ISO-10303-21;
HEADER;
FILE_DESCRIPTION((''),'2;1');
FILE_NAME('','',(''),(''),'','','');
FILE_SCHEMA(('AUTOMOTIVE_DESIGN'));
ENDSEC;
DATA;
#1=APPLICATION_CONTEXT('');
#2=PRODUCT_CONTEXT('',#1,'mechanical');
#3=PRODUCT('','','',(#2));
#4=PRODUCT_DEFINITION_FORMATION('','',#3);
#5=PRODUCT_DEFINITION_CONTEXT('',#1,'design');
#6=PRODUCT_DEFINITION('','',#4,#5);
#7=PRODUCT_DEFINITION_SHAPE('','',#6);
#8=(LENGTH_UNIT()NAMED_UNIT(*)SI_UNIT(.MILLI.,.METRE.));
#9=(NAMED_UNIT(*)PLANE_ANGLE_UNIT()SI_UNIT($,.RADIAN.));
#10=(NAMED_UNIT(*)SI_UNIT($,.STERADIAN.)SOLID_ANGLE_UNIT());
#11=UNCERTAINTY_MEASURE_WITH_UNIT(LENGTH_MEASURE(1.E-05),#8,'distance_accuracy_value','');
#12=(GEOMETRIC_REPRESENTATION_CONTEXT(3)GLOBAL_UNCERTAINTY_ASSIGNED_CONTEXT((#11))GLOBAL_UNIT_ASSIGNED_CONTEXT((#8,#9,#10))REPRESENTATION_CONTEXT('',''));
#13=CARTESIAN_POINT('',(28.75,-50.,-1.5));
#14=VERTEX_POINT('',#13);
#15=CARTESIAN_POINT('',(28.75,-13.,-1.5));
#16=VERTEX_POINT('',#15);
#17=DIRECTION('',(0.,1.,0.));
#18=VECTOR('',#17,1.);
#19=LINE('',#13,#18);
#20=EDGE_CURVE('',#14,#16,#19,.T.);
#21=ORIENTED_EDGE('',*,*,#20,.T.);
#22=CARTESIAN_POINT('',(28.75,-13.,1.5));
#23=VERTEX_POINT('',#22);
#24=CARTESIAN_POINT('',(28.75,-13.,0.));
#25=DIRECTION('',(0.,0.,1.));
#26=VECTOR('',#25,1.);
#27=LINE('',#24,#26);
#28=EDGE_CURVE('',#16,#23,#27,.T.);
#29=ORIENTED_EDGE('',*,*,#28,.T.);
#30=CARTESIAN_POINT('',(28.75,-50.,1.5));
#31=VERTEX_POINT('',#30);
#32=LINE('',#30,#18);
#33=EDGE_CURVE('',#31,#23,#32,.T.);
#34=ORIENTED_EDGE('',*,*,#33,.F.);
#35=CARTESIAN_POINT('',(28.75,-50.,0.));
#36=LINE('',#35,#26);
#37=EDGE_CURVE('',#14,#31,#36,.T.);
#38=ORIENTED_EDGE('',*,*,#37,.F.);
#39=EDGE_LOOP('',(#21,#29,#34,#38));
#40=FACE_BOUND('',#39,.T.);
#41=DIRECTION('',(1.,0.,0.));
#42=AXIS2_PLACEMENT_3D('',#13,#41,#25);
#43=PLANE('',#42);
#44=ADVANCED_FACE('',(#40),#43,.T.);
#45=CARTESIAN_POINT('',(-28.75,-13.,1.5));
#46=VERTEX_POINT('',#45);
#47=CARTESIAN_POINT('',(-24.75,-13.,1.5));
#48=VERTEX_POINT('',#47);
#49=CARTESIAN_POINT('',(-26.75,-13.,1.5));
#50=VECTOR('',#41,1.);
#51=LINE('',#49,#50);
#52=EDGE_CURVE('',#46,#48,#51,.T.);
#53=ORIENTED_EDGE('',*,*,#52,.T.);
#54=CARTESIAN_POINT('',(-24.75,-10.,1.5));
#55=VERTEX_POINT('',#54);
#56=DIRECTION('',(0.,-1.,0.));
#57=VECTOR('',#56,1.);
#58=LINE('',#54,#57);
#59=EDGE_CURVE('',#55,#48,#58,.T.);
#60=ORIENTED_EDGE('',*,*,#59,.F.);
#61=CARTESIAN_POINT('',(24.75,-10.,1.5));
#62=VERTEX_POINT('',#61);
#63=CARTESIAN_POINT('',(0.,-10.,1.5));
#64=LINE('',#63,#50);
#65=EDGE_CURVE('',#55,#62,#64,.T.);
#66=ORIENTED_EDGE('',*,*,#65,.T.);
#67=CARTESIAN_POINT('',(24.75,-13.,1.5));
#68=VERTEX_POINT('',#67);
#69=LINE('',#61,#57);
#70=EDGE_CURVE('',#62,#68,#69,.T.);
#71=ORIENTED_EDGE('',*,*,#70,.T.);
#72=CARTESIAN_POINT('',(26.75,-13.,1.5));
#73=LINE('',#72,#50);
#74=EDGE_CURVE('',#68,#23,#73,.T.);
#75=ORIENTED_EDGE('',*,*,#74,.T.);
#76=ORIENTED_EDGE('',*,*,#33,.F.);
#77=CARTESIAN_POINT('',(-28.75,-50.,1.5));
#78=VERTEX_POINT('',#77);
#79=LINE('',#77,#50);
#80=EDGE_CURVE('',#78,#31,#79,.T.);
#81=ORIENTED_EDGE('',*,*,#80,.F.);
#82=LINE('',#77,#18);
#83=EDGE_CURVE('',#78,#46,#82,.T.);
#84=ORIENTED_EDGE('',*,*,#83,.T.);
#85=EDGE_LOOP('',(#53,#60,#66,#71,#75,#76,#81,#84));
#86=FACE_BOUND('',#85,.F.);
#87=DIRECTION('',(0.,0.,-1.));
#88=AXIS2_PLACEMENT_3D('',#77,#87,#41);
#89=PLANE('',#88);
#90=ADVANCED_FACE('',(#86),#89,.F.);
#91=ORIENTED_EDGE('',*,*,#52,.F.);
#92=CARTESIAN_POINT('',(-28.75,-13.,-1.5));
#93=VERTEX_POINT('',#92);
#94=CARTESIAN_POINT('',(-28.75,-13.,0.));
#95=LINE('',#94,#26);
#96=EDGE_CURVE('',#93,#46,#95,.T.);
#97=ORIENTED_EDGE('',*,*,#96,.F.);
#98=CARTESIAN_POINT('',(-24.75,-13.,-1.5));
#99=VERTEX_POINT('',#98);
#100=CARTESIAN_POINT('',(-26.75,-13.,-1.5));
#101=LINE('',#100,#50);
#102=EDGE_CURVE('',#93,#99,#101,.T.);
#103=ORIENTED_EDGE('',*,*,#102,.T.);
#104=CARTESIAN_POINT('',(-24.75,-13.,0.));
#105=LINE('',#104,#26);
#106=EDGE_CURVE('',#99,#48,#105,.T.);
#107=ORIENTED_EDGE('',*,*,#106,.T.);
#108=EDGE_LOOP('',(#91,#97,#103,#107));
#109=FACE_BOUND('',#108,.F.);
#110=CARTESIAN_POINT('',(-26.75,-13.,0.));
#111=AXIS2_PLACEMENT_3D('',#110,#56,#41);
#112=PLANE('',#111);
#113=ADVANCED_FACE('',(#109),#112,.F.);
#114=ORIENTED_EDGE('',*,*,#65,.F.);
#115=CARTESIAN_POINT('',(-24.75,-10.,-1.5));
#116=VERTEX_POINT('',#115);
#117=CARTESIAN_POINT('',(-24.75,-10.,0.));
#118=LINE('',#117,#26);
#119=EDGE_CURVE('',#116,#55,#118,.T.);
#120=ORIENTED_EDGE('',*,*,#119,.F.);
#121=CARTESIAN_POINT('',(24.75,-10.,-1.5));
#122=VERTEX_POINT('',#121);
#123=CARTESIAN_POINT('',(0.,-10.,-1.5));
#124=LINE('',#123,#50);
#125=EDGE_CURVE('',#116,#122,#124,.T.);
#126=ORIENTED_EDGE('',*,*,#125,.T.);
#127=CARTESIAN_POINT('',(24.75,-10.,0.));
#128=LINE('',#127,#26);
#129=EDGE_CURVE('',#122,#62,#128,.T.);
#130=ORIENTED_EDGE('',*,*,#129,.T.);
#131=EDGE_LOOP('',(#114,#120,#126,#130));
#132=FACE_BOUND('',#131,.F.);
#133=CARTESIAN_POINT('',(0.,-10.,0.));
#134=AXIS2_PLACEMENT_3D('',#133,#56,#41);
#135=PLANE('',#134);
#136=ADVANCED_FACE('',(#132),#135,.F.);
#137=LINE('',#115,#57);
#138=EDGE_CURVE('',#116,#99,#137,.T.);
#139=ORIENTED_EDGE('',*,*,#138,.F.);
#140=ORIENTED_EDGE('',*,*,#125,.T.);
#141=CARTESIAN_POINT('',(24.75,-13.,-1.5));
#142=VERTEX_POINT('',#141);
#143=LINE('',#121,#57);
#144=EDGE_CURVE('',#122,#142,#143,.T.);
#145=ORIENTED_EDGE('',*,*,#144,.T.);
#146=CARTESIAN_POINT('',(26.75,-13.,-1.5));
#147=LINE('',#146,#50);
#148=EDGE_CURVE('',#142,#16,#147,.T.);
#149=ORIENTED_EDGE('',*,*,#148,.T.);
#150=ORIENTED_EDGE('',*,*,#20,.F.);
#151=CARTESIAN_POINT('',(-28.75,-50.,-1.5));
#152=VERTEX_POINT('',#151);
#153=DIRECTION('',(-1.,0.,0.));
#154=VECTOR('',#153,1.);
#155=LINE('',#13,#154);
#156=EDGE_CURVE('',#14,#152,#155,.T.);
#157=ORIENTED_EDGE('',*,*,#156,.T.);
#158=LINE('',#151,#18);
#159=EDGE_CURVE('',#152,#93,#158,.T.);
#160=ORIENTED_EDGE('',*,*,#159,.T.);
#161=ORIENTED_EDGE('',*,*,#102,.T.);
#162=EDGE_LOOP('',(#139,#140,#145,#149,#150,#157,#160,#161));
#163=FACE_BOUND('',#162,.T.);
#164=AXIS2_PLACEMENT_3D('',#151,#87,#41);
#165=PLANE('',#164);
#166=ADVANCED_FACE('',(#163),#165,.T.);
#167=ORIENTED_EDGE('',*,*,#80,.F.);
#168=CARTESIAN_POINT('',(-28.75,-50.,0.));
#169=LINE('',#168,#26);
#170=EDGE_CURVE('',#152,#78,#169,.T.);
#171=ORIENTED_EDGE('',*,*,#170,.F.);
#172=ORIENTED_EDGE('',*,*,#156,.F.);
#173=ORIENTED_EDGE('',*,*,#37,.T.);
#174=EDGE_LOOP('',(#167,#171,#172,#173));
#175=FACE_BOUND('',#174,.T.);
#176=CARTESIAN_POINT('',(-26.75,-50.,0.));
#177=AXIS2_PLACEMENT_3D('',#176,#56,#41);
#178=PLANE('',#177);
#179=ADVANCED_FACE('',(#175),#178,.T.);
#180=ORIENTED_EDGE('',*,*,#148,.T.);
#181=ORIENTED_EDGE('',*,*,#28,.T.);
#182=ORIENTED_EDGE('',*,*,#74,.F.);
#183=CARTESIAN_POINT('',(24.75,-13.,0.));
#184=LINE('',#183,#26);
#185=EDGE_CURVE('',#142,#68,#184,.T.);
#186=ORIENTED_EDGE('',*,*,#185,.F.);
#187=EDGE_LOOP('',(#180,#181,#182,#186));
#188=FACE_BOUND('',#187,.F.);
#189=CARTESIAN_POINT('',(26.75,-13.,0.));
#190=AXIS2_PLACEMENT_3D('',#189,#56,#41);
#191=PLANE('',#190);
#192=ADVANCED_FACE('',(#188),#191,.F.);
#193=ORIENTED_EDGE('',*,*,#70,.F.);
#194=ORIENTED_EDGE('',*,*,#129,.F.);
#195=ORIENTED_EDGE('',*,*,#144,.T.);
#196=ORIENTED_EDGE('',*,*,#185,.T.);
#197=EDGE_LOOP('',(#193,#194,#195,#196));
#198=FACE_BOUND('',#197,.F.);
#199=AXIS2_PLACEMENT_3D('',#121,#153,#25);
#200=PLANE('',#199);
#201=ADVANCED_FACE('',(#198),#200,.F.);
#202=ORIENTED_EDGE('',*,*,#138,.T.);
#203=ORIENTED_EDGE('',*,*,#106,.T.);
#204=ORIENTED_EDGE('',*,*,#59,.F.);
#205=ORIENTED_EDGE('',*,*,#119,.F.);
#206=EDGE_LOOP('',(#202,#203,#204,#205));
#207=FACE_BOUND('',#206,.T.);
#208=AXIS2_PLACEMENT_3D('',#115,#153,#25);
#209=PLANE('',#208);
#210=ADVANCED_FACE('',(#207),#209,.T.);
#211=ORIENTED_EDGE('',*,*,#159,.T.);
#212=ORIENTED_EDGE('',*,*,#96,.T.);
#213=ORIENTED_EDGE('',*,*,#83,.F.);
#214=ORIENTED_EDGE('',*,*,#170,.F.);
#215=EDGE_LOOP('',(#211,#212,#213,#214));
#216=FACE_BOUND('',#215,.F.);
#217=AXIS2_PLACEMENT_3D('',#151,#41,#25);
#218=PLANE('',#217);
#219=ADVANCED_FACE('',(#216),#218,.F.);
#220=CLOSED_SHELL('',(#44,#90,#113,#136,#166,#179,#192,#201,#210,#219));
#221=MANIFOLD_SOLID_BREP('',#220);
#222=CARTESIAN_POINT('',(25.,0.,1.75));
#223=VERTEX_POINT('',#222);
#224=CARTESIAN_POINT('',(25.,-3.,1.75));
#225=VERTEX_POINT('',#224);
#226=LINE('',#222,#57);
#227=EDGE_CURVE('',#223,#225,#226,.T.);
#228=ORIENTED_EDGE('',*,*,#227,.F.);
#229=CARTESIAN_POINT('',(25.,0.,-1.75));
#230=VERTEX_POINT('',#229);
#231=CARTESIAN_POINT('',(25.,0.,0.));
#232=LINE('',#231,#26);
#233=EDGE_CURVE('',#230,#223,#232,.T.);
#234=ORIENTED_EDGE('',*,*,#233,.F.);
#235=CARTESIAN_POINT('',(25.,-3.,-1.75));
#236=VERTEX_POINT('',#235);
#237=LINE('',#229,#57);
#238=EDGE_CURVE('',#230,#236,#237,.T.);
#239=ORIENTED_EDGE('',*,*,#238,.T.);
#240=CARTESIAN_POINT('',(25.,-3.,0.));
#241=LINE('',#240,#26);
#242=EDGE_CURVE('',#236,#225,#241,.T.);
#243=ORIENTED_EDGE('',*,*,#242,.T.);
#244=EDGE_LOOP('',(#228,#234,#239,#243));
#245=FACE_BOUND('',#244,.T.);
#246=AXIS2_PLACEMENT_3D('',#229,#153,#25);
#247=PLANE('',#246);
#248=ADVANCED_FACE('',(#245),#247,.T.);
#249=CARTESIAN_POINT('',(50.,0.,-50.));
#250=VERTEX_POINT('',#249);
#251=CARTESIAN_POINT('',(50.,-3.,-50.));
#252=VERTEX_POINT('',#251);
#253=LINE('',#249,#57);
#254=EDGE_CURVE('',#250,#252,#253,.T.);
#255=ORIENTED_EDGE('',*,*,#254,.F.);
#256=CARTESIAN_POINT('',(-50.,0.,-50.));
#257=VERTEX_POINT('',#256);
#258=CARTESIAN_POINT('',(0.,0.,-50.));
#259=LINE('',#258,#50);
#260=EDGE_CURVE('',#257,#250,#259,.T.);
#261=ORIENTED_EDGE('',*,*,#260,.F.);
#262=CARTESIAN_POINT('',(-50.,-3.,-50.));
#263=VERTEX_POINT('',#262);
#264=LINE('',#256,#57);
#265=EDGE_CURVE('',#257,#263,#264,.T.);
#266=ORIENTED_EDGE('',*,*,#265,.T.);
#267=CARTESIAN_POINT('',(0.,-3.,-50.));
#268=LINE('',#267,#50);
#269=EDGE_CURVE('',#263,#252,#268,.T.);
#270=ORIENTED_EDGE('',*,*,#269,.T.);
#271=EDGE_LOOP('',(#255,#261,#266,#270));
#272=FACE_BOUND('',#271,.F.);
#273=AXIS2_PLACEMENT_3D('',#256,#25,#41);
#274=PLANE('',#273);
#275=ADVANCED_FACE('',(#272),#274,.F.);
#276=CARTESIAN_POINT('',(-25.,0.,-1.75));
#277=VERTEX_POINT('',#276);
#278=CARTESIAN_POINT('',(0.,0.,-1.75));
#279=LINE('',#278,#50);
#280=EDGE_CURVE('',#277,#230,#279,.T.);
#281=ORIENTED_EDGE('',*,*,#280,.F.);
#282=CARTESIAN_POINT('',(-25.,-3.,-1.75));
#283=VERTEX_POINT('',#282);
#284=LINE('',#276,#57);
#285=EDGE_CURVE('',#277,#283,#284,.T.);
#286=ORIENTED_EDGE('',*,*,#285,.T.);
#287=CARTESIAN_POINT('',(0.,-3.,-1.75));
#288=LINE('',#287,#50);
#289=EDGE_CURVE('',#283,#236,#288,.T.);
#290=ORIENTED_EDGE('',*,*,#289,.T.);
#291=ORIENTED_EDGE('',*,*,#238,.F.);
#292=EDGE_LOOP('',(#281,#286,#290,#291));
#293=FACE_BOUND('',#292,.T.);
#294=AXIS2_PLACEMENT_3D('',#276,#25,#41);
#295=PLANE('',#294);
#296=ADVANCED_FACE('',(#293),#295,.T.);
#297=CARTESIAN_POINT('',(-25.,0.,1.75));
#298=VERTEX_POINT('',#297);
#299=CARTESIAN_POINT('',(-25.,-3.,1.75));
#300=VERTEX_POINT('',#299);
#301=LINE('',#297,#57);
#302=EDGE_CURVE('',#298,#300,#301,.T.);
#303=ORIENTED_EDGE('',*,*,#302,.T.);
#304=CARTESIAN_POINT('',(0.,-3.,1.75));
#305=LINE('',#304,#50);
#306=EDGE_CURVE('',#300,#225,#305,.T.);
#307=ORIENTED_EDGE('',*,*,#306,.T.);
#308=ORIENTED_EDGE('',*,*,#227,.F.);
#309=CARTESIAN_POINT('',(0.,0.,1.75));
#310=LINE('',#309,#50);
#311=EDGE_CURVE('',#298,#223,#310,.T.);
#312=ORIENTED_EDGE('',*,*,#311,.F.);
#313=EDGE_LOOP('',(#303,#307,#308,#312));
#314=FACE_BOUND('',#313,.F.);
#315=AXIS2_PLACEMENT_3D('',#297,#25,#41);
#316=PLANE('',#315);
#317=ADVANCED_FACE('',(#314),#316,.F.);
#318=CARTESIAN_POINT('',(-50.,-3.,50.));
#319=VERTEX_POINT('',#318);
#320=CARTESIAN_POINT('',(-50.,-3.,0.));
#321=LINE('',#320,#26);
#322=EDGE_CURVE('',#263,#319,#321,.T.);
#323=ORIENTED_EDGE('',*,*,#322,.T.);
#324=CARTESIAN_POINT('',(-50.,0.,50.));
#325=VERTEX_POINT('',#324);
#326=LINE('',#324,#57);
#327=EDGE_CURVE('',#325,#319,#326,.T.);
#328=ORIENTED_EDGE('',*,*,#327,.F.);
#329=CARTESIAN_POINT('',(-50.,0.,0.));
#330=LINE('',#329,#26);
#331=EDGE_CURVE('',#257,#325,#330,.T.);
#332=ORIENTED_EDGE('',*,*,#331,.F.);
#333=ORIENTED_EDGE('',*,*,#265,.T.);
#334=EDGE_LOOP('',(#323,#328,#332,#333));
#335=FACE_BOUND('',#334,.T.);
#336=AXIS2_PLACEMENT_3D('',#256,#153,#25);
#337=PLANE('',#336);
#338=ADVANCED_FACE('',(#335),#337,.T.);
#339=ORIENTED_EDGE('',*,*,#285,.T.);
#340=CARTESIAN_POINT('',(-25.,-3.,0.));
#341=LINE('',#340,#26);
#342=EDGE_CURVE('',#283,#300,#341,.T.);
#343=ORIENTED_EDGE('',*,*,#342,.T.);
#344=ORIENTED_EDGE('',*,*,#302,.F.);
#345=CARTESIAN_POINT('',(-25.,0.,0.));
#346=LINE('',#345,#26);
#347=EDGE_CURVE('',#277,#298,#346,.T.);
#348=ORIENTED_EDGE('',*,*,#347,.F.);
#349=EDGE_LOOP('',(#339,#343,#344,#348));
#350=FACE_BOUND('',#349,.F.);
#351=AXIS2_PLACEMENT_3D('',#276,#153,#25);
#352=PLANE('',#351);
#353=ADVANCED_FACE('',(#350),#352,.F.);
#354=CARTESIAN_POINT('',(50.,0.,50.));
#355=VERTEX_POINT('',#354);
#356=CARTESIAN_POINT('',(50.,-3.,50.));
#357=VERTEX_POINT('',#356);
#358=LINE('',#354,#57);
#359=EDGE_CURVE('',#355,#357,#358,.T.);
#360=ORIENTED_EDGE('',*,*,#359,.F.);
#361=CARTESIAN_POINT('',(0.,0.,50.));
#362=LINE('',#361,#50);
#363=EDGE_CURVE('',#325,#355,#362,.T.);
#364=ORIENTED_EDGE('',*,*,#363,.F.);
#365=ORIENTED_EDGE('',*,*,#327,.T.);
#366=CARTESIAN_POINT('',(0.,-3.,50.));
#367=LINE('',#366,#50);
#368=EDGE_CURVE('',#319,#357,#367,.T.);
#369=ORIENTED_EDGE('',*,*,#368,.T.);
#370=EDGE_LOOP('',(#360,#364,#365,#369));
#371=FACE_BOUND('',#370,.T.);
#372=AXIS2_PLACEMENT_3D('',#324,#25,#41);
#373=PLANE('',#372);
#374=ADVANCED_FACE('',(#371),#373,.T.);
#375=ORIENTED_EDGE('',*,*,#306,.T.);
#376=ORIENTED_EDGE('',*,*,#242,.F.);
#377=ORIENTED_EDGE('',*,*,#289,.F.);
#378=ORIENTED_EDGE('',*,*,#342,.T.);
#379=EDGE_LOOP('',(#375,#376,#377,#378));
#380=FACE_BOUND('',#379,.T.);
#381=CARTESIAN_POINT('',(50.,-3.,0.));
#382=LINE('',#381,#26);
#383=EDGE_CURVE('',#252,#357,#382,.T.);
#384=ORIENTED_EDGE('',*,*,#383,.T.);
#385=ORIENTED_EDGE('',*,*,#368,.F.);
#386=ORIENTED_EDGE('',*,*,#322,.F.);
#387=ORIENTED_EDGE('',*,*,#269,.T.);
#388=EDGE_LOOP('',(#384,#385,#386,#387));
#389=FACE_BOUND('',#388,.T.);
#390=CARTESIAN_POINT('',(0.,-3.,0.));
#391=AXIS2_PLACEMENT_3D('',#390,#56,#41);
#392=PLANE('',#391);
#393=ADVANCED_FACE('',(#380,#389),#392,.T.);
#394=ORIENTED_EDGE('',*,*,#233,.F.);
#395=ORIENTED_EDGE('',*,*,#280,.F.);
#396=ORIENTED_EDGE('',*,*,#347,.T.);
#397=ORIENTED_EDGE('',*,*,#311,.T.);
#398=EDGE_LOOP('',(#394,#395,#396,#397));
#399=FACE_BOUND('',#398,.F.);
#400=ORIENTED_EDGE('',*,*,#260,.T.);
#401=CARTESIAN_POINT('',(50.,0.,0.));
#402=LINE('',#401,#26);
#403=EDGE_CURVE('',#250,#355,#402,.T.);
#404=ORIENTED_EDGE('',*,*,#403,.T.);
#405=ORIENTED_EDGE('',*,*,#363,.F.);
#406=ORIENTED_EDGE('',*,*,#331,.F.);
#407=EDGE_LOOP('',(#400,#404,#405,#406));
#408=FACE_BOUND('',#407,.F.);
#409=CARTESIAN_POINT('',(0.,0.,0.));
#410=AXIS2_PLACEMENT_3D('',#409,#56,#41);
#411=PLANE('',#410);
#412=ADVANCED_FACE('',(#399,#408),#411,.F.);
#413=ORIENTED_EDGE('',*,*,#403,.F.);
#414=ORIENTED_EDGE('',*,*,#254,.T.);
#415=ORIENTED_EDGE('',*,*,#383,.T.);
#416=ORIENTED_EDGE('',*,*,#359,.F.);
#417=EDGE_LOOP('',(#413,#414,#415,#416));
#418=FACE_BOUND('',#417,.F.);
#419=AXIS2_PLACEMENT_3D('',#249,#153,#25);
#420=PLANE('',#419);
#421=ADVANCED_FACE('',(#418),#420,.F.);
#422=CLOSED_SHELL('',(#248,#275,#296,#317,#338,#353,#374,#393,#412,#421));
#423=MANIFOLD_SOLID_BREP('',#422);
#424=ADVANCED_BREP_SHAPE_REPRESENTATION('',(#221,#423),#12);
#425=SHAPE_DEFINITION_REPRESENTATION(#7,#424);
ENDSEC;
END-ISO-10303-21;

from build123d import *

# Parameters (mm, degrees)
F0_W     = 100
F0_H     = 100
F0_W_2   = 50
F0_H_2   = 3.5
F1_DEPTH = 3
F3_W     = 49.5
F3_H     = 3
F4_DEPTH = 40
F5_W     = 4
F5_H     = 3
F6_DEPTH = 37


with BuildPart() as f1:
    # F0 (on Front) → F1 (new body)
    with BuildSketch(Plane.XZ):
        Rectangle(F0_W, F0_H)
        Rectangle(F0_W_2, F0_H_2, mode=Mode.SUBTRACT)
    extrude(amount=F1_DEPTH)


with BuildPart() as f4:
    # F3 (on offset) → F4 (new body)
    with BuildSketch(Plane.XZ.offset(10)):
        Rectangle(F3_W, F3_H)
    extrude(amount=F4_DEPTH)

    # F5 (on face) → F6 (join)
    with BuildSketch(Plane.XZ.offset(50)):
        with Locations((-26.75, 0)):
            Rectangle(F5_W, F5_H)
        with Locations((26.75, 0)):
            Rectangle(F5_W, F5_H)
    extrude(amount=-F6_DEPTH)


solid = Compound([f1.part, f4.part])
